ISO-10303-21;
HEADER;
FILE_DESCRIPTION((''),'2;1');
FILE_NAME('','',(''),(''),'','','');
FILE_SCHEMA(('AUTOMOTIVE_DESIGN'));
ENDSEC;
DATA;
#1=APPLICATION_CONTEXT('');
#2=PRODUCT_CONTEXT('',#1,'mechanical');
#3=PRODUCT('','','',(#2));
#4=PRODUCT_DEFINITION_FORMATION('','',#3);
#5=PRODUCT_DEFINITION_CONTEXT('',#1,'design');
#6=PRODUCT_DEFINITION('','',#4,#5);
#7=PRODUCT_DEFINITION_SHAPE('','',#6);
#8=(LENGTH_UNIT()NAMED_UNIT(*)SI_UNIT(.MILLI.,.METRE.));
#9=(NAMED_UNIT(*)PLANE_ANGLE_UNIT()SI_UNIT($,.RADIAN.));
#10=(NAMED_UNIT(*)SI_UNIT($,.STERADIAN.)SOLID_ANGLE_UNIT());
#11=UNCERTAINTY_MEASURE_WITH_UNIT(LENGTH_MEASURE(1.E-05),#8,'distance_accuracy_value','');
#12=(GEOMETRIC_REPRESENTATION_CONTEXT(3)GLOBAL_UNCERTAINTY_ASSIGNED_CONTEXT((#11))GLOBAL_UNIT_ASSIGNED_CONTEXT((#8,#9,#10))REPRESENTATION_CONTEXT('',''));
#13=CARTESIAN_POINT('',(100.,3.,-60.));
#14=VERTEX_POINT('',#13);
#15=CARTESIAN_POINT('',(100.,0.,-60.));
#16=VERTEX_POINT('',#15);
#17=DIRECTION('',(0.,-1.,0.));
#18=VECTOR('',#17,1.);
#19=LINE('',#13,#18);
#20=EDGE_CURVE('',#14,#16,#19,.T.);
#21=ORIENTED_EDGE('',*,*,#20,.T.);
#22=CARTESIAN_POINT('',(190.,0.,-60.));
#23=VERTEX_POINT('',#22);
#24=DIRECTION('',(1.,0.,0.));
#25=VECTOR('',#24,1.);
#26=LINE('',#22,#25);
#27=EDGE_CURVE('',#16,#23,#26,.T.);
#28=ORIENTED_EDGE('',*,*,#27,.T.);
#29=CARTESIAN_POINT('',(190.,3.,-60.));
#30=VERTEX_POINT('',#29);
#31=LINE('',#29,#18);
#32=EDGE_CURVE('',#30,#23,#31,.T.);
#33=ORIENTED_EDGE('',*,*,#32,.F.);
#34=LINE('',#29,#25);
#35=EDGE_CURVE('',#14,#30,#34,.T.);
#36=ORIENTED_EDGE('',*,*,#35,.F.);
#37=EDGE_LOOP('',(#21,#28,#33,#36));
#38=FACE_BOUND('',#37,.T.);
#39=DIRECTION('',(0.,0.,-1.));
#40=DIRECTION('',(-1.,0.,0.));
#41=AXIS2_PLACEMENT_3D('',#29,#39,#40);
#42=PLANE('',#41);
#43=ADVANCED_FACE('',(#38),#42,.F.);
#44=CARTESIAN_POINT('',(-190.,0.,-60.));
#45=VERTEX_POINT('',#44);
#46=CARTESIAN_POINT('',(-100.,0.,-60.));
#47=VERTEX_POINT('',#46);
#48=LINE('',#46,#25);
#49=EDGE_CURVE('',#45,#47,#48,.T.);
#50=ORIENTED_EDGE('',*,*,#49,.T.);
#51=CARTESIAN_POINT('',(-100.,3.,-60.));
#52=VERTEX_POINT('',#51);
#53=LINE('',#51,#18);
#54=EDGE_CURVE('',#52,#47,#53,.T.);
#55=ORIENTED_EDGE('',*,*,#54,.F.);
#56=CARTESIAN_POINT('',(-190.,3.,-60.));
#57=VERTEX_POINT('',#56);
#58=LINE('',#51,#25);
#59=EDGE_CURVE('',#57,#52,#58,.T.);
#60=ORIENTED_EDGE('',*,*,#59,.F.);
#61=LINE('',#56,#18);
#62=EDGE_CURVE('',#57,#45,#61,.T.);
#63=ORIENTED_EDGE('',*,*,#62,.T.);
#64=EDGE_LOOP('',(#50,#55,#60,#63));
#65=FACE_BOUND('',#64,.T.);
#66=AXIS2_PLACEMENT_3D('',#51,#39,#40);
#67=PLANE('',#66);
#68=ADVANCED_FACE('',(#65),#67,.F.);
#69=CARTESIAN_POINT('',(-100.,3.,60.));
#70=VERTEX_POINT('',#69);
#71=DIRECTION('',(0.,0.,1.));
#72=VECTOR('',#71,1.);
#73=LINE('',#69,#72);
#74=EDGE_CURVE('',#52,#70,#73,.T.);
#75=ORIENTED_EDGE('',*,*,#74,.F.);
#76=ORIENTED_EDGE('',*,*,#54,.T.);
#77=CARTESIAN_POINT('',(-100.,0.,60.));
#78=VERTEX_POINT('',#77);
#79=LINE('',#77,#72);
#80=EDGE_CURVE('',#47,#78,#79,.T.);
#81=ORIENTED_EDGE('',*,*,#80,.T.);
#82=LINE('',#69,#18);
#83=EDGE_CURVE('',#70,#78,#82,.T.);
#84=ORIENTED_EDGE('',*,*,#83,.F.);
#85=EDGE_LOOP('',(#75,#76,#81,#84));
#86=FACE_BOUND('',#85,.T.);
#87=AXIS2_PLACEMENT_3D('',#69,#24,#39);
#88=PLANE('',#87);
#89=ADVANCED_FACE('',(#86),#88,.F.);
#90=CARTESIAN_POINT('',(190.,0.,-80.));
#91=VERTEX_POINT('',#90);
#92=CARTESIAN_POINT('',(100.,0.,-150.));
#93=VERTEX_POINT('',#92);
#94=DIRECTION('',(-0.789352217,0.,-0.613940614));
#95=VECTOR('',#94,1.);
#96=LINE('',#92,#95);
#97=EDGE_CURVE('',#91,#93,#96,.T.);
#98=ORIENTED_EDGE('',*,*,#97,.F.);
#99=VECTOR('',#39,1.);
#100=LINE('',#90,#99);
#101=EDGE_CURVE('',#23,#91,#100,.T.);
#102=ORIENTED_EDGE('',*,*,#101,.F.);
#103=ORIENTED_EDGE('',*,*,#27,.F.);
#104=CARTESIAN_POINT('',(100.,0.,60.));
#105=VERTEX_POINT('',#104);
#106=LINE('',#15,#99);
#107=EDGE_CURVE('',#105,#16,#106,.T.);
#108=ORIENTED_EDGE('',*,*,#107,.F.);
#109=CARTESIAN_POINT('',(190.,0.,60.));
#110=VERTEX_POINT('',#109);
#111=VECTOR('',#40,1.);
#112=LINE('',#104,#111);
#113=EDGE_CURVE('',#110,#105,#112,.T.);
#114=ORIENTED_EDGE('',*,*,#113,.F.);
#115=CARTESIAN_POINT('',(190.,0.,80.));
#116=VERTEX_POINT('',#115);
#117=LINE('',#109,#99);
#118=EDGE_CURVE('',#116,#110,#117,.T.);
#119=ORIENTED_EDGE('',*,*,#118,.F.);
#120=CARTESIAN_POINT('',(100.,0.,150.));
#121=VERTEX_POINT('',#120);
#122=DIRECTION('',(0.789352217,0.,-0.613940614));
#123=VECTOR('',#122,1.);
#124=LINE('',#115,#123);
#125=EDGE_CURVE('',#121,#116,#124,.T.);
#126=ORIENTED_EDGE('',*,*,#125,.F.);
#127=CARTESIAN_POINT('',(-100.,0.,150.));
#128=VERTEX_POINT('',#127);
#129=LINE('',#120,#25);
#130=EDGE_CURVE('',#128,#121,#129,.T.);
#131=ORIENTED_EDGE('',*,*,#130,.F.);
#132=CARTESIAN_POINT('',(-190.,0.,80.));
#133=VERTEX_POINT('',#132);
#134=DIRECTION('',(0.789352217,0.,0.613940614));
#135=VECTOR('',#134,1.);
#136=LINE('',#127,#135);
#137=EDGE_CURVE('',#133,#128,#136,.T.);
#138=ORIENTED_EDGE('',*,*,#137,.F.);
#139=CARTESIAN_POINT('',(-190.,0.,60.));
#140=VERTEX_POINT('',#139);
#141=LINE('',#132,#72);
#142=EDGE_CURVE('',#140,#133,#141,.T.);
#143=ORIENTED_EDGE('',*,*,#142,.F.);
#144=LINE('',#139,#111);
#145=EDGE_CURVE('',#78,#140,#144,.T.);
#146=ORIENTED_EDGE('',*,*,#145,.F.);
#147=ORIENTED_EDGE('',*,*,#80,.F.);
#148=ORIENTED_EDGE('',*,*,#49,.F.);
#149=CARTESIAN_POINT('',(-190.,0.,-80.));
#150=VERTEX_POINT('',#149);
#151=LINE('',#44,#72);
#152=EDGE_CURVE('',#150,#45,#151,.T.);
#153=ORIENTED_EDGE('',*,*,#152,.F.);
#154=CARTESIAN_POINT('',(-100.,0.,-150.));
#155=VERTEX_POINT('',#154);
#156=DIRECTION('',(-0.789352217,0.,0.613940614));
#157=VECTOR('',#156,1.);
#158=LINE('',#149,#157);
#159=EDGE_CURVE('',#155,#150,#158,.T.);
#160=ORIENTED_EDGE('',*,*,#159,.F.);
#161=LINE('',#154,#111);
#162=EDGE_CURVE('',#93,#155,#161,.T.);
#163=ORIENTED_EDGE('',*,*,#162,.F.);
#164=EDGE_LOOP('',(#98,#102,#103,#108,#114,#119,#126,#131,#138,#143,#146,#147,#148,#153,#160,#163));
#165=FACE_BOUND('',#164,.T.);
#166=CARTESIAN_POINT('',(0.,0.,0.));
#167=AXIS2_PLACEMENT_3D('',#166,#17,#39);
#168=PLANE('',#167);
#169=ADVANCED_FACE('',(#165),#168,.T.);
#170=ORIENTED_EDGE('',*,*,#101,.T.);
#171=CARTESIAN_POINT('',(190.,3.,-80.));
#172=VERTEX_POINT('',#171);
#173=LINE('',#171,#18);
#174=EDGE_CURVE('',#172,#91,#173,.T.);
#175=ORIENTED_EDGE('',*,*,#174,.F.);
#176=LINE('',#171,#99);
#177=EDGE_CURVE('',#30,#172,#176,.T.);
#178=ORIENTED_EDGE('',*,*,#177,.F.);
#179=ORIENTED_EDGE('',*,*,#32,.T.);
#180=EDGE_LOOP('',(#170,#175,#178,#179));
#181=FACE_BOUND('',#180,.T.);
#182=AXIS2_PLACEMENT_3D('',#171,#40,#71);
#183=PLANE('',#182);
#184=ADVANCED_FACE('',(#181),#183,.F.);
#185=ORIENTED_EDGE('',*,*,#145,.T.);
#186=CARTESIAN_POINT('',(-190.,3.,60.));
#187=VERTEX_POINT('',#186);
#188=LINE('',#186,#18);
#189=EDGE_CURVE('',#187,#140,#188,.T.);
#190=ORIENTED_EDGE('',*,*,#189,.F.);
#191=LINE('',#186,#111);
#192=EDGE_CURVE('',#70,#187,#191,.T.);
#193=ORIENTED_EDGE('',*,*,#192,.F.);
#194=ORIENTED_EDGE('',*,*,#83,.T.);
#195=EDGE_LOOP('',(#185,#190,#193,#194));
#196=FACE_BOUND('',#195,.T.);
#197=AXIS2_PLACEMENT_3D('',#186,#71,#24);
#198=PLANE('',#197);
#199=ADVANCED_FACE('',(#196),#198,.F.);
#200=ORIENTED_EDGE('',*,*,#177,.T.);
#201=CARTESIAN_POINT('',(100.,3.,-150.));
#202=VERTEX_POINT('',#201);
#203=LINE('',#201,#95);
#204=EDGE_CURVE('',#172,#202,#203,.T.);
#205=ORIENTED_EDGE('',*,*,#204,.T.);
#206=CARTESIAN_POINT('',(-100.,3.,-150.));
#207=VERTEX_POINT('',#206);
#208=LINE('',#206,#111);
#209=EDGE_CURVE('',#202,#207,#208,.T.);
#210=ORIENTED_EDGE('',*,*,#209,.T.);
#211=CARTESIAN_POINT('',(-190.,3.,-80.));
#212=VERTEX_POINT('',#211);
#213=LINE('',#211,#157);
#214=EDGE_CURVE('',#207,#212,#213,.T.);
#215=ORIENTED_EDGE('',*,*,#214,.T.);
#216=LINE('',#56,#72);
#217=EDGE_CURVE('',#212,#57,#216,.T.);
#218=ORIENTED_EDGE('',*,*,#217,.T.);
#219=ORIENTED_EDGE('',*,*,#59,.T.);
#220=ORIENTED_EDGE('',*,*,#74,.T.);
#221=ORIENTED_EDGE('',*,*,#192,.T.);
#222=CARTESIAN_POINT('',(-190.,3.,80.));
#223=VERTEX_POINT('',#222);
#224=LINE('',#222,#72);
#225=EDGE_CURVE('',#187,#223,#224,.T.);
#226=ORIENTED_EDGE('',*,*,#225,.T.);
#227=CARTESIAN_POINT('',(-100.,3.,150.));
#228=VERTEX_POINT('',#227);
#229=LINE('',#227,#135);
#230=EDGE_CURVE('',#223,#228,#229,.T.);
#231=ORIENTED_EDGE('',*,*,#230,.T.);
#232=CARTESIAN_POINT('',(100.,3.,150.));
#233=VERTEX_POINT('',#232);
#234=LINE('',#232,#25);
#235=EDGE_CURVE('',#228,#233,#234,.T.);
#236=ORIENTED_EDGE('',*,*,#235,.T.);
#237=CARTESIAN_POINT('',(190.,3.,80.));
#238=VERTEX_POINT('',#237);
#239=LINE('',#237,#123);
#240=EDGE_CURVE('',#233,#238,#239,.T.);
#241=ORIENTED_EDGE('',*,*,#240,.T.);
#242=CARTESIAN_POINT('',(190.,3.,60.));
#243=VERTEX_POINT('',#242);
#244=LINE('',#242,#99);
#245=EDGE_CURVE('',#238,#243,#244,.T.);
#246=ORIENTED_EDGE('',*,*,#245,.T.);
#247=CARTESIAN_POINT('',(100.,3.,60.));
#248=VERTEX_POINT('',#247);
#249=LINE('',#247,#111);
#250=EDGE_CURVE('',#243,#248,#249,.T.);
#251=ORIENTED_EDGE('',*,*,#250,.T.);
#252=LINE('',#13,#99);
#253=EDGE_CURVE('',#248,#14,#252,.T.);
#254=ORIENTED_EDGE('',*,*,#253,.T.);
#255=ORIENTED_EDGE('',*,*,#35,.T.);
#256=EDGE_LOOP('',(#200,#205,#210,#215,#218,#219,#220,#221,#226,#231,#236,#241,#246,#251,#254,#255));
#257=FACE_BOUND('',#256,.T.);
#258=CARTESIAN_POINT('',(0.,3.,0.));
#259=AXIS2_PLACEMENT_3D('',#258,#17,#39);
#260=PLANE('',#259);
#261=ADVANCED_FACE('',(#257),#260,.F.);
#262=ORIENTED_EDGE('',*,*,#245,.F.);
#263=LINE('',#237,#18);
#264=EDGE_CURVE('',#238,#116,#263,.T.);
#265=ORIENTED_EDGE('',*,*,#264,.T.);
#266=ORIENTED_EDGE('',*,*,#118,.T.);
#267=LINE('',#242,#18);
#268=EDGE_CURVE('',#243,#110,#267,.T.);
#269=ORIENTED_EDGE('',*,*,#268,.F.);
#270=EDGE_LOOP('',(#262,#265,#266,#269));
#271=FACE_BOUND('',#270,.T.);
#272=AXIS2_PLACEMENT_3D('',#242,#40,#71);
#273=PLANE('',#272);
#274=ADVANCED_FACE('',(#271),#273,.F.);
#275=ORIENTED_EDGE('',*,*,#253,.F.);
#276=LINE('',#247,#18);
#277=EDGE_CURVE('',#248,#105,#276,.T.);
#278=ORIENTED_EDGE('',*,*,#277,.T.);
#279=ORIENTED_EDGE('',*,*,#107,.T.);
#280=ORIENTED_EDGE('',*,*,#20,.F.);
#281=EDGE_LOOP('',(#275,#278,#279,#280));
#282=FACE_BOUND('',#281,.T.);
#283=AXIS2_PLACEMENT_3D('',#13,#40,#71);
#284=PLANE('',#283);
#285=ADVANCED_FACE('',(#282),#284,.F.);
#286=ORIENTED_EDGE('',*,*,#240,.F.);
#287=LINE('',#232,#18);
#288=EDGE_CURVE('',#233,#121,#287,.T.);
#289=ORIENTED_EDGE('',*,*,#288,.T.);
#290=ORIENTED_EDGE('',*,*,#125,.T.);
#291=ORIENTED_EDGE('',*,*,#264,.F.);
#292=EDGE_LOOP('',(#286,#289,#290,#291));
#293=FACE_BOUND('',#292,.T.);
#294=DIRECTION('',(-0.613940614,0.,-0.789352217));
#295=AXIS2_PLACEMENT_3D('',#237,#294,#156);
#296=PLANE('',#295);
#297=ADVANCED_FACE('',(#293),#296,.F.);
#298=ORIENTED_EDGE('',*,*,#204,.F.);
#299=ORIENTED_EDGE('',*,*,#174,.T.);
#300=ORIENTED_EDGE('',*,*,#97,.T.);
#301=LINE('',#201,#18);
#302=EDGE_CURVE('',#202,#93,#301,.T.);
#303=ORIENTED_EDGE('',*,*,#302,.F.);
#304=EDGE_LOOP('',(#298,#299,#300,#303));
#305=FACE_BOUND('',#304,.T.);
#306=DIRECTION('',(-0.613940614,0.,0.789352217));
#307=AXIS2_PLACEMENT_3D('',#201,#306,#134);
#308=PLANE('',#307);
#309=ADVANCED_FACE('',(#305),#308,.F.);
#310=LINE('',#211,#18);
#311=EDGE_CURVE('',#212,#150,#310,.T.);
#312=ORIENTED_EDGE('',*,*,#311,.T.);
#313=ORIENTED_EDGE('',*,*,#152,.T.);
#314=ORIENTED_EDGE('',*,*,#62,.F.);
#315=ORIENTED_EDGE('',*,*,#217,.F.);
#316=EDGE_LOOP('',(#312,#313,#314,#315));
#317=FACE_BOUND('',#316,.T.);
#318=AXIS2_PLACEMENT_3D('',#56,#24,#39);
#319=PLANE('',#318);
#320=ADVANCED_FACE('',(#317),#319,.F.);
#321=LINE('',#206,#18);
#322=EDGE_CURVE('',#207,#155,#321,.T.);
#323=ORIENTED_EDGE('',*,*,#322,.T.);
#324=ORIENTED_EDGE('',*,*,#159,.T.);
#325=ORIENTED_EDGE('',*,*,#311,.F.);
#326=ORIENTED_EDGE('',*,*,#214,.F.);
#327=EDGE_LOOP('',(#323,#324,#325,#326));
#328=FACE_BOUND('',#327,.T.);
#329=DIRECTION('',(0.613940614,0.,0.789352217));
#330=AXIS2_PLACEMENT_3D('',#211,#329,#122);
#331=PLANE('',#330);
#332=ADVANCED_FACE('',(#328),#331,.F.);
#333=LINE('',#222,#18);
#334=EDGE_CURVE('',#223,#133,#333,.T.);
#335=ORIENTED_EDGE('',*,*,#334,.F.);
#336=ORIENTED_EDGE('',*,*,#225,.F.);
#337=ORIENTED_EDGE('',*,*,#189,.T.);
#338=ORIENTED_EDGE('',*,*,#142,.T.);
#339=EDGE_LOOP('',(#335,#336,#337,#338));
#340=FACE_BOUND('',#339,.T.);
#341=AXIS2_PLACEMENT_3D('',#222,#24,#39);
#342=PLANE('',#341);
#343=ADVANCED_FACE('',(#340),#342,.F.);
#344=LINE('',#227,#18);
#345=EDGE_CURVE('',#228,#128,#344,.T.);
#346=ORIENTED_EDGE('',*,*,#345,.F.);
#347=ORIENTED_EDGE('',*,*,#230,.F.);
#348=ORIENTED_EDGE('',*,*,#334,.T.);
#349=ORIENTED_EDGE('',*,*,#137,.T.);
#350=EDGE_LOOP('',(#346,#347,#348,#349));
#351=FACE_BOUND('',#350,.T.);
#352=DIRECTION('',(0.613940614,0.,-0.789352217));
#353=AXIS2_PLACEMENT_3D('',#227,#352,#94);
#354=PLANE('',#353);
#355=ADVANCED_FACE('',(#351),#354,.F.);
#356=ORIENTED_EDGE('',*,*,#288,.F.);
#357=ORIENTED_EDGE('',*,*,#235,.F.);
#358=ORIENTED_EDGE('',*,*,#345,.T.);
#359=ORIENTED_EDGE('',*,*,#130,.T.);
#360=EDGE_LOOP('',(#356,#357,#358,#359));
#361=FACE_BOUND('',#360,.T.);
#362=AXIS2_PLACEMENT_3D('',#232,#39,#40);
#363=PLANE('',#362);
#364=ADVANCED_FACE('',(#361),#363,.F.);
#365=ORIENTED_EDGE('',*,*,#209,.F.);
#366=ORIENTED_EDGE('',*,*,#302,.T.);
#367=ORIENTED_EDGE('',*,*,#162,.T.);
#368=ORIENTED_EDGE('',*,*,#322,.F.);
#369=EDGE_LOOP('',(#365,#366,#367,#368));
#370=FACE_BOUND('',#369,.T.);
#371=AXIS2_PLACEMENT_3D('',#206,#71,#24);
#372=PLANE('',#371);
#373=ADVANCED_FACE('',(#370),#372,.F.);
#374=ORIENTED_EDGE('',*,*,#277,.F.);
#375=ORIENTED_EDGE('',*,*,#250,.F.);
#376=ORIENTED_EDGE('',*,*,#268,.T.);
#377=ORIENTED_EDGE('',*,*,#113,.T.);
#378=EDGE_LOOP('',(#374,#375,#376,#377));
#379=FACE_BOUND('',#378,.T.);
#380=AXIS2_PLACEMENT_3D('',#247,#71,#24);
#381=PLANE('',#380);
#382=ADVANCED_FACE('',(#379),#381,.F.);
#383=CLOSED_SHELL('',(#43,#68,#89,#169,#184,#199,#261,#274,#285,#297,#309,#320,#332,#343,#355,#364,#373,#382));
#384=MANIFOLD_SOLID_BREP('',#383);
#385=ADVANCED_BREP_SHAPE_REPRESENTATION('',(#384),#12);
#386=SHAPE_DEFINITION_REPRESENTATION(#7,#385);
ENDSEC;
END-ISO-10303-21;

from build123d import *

# Parameters (mm, degrees)
BOSS_EXTRUDE1_DEPTH = 3


with BuildPart() as part:
    # Sketch1 → Boss-Extrude1 (new body)
    with BuildSketch(Plane(origin=(0, 0, 0), x_dir=(1, 0, 0), z_dir=(0, 1, 0))):
        Polygon((-100, 150), (100, 150), (190, 80), (190, 60), (100, 60), (100, -60), (190, -60), (190, -80), (100, -150), (-100, -150), (-190, -80), (-190, -60), (-100, -60), (-100, 60), (-190, 60), (-190, 80), align=None)
    extrude(amount=BOSS_EXTRUDE1_DEPTH)


solid = part.part
